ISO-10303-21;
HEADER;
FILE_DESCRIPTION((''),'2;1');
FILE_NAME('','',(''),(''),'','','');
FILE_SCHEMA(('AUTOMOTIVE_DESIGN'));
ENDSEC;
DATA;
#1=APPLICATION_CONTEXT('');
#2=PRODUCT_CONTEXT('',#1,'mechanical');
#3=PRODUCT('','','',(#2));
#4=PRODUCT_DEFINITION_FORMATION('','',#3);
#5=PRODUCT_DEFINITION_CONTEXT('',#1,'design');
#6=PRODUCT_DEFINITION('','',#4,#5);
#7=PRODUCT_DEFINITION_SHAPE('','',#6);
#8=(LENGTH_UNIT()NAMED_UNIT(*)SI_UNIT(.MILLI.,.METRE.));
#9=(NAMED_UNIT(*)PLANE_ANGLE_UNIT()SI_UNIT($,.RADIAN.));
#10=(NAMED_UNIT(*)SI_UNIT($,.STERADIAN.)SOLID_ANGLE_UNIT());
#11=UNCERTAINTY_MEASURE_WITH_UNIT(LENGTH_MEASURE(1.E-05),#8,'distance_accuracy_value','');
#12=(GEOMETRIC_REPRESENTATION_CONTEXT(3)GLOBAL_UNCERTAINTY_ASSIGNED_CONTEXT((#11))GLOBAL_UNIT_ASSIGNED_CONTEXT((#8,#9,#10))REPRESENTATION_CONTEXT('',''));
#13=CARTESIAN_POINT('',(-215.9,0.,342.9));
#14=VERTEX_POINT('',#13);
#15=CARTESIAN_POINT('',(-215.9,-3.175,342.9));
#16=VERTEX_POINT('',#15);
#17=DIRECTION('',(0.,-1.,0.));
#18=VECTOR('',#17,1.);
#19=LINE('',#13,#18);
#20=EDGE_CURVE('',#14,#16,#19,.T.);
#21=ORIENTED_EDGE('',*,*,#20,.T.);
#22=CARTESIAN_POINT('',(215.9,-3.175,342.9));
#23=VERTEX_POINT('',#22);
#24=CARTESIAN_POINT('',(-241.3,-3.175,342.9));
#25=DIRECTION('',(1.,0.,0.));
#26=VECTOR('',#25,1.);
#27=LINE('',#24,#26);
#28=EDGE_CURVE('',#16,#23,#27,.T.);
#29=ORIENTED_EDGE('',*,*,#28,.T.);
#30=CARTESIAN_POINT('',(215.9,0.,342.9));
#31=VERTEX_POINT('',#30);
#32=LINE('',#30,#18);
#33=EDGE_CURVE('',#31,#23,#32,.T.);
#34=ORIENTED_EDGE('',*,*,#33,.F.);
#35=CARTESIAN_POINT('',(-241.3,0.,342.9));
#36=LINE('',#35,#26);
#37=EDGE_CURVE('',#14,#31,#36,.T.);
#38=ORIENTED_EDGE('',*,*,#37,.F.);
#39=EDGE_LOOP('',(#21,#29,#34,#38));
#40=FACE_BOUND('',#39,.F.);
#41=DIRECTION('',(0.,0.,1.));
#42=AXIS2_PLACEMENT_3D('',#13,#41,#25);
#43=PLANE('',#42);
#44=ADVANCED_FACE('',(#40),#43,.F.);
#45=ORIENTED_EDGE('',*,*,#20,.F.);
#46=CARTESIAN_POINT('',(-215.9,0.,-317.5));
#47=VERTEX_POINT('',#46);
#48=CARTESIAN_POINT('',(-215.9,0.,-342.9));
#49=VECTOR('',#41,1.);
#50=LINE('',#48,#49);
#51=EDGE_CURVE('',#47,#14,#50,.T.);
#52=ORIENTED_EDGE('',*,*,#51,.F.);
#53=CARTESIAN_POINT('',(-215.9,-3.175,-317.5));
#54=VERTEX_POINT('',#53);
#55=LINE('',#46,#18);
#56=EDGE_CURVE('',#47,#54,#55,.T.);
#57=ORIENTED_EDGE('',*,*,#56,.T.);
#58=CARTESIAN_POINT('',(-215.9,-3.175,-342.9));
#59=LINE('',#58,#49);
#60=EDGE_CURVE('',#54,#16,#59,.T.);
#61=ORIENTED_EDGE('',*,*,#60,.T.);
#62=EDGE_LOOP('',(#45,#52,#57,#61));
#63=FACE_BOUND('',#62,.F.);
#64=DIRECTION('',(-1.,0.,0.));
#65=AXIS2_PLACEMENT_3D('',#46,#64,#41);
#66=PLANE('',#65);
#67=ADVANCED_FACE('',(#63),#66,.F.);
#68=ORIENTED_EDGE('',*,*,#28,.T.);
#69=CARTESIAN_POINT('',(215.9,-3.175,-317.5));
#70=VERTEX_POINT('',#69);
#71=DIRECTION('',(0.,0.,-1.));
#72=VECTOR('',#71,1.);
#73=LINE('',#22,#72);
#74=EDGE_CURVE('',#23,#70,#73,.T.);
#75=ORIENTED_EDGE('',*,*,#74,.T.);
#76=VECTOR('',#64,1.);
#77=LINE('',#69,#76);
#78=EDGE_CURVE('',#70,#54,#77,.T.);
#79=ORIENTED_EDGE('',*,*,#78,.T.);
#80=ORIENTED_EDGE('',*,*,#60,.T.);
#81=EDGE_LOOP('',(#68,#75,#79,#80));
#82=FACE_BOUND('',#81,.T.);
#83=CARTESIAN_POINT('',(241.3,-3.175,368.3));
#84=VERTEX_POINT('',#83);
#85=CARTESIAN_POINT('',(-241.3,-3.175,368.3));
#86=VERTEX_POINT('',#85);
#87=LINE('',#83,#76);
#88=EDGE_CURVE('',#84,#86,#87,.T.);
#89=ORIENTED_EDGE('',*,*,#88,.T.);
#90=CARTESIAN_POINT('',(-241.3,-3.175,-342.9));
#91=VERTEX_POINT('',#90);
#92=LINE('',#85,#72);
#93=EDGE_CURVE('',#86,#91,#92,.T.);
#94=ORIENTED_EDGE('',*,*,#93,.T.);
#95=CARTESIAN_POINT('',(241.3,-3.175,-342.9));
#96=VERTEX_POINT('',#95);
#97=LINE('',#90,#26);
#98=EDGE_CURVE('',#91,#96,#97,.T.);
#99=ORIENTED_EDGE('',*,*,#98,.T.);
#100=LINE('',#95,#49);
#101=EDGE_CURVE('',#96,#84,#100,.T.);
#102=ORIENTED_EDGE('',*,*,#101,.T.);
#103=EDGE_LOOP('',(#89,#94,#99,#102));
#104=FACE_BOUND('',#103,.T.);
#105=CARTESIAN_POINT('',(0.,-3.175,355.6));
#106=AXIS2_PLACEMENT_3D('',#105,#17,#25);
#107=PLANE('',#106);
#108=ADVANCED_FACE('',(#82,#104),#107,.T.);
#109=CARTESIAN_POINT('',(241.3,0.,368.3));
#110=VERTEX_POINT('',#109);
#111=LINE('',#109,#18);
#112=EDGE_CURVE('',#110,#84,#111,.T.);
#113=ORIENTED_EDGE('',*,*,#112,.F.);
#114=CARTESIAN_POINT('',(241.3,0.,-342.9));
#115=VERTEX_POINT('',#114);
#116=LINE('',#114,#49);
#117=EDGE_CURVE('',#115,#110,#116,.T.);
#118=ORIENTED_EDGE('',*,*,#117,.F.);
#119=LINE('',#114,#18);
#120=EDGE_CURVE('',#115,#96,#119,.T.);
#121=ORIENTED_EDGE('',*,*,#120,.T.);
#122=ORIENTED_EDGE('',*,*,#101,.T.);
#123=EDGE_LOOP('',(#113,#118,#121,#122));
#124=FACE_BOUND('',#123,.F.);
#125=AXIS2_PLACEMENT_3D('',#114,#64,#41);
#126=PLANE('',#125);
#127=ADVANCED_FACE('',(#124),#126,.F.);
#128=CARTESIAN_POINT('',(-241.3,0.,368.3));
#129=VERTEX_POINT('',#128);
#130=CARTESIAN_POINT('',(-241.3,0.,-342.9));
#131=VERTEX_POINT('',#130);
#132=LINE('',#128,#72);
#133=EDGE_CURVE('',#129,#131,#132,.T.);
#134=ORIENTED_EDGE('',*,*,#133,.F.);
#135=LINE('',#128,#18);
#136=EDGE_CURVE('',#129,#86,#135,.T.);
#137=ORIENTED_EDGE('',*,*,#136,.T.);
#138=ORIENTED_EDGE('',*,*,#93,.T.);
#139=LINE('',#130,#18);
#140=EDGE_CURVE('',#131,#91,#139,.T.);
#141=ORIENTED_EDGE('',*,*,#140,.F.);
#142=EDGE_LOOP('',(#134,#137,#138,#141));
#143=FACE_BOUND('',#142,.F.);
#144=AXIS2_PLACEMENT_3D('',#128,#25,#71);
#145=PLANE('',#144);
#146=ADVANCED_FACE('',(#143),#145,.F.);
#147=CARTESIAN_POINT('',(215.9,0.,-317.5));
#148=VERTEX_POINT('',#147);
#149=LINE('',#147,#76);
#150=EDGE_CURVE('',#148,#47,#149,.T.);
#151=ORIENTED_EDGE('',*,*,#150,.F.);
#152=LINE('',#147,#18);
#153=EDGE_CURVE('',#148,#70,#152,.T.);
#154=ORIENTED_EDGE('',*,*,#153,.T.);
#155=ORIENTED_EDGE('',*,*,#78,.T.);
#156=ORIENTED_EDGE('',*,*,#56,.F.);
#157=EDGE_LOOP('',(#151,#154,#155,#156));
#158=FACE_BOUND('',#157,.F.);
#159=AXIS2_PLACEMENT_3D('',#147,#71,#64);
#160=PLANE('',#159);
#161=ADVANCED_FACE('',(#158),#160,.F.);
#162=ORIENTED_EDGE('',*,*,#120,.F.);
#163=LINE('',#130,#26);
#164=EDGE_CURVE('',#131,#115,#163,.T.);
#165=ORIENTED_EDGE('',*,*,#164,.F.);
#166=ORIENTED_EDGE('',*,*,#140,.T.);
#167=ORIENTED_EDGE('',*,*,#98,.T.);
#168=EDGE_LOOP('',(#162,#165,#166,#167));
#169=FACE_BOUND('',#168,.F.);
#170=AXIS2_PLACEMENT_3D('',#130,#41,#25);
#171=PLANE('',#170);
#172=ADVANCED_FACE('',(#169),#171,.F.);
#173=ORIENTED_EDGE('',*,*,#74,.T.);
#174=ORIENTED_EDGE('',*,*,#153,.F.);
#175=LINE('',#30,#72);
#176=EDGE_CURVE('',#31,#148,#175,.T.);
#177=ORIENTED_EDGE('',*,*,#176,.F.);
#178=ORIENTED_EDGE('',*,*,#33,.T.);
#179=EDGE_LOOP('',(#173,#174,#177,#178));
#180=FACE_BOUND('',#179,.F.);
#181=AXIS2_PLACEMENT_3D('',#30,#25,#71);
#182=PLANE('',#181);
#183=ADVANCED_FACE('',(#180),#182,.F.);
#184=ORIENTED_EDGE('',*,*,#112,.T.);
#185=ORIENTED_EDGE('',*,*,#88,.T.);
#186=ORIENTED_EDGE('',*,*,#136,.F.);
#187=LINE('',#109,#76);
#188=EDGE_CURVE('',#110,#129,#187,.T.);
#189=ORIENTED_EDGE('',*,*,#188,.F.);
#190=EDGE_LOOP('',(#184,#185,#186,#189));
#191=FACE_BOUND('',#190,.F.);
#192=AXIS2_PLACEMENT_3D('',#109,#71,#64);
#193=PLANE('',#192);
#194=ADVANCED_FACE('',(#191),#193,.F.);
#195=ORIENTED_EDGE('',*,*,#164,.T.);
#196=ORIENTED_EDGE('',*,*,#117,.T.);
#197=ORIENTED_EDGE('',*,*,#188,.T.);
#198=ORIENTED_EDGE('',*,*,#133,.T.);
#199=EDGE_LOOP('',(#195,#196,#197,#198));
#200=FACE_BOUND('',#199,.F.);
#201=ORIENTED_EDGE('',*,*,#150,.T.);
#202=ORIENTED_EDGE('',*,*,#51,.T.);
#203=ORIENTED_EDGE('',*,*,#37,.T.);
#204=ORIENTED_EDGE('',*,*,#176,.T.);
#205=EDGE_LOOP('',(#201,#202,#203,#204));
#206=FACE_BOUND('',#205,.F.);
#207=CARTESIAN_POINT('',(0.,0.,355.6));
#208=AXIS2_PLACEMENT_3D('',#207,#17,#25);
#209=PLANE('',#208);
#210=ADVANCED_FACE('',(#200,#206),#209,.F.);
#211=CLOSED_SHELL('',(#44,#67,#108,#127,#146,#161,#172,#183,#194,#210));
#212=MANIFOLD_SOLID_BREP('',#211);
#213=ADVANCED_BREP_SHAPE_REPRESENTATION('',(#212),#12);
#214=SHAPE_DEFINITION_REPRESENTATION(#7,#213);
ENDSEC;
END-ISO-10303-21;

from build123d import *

# Parameters (mm, degrees)
F1_DEPTH = 3.175


with BuildPart() as f1:
    # F0 (on Front) → F1 (new body)
    with BuildSketch(Plane.XZ):
        Polygon((-241.3, 368.3), (-241.3, 342.9), (-215.9, 342.9), (215.9, 342.9), (241.3, 342.9), (241.3, 368.3), align=None)
        Polygon((-215.9, 342.9), (-241.3, 342.9), (-241.3, -342.9), (-215.9, -342.9), (-215.9, -317.5), align=None)
        Polygon((215.9, -317.5), (-215.9, -317.5), (-215.9, -342.9), (0, -342.9), (215.9, -342.9), align=None)
        Polygon((241.3, 342.9), (215.9, 342.9), (215.9, -317.5), (215.9, -342.9), (241.3, -342.9), align=None)
    extrude(amount=F1_DEPTH)


solid = f1.part
